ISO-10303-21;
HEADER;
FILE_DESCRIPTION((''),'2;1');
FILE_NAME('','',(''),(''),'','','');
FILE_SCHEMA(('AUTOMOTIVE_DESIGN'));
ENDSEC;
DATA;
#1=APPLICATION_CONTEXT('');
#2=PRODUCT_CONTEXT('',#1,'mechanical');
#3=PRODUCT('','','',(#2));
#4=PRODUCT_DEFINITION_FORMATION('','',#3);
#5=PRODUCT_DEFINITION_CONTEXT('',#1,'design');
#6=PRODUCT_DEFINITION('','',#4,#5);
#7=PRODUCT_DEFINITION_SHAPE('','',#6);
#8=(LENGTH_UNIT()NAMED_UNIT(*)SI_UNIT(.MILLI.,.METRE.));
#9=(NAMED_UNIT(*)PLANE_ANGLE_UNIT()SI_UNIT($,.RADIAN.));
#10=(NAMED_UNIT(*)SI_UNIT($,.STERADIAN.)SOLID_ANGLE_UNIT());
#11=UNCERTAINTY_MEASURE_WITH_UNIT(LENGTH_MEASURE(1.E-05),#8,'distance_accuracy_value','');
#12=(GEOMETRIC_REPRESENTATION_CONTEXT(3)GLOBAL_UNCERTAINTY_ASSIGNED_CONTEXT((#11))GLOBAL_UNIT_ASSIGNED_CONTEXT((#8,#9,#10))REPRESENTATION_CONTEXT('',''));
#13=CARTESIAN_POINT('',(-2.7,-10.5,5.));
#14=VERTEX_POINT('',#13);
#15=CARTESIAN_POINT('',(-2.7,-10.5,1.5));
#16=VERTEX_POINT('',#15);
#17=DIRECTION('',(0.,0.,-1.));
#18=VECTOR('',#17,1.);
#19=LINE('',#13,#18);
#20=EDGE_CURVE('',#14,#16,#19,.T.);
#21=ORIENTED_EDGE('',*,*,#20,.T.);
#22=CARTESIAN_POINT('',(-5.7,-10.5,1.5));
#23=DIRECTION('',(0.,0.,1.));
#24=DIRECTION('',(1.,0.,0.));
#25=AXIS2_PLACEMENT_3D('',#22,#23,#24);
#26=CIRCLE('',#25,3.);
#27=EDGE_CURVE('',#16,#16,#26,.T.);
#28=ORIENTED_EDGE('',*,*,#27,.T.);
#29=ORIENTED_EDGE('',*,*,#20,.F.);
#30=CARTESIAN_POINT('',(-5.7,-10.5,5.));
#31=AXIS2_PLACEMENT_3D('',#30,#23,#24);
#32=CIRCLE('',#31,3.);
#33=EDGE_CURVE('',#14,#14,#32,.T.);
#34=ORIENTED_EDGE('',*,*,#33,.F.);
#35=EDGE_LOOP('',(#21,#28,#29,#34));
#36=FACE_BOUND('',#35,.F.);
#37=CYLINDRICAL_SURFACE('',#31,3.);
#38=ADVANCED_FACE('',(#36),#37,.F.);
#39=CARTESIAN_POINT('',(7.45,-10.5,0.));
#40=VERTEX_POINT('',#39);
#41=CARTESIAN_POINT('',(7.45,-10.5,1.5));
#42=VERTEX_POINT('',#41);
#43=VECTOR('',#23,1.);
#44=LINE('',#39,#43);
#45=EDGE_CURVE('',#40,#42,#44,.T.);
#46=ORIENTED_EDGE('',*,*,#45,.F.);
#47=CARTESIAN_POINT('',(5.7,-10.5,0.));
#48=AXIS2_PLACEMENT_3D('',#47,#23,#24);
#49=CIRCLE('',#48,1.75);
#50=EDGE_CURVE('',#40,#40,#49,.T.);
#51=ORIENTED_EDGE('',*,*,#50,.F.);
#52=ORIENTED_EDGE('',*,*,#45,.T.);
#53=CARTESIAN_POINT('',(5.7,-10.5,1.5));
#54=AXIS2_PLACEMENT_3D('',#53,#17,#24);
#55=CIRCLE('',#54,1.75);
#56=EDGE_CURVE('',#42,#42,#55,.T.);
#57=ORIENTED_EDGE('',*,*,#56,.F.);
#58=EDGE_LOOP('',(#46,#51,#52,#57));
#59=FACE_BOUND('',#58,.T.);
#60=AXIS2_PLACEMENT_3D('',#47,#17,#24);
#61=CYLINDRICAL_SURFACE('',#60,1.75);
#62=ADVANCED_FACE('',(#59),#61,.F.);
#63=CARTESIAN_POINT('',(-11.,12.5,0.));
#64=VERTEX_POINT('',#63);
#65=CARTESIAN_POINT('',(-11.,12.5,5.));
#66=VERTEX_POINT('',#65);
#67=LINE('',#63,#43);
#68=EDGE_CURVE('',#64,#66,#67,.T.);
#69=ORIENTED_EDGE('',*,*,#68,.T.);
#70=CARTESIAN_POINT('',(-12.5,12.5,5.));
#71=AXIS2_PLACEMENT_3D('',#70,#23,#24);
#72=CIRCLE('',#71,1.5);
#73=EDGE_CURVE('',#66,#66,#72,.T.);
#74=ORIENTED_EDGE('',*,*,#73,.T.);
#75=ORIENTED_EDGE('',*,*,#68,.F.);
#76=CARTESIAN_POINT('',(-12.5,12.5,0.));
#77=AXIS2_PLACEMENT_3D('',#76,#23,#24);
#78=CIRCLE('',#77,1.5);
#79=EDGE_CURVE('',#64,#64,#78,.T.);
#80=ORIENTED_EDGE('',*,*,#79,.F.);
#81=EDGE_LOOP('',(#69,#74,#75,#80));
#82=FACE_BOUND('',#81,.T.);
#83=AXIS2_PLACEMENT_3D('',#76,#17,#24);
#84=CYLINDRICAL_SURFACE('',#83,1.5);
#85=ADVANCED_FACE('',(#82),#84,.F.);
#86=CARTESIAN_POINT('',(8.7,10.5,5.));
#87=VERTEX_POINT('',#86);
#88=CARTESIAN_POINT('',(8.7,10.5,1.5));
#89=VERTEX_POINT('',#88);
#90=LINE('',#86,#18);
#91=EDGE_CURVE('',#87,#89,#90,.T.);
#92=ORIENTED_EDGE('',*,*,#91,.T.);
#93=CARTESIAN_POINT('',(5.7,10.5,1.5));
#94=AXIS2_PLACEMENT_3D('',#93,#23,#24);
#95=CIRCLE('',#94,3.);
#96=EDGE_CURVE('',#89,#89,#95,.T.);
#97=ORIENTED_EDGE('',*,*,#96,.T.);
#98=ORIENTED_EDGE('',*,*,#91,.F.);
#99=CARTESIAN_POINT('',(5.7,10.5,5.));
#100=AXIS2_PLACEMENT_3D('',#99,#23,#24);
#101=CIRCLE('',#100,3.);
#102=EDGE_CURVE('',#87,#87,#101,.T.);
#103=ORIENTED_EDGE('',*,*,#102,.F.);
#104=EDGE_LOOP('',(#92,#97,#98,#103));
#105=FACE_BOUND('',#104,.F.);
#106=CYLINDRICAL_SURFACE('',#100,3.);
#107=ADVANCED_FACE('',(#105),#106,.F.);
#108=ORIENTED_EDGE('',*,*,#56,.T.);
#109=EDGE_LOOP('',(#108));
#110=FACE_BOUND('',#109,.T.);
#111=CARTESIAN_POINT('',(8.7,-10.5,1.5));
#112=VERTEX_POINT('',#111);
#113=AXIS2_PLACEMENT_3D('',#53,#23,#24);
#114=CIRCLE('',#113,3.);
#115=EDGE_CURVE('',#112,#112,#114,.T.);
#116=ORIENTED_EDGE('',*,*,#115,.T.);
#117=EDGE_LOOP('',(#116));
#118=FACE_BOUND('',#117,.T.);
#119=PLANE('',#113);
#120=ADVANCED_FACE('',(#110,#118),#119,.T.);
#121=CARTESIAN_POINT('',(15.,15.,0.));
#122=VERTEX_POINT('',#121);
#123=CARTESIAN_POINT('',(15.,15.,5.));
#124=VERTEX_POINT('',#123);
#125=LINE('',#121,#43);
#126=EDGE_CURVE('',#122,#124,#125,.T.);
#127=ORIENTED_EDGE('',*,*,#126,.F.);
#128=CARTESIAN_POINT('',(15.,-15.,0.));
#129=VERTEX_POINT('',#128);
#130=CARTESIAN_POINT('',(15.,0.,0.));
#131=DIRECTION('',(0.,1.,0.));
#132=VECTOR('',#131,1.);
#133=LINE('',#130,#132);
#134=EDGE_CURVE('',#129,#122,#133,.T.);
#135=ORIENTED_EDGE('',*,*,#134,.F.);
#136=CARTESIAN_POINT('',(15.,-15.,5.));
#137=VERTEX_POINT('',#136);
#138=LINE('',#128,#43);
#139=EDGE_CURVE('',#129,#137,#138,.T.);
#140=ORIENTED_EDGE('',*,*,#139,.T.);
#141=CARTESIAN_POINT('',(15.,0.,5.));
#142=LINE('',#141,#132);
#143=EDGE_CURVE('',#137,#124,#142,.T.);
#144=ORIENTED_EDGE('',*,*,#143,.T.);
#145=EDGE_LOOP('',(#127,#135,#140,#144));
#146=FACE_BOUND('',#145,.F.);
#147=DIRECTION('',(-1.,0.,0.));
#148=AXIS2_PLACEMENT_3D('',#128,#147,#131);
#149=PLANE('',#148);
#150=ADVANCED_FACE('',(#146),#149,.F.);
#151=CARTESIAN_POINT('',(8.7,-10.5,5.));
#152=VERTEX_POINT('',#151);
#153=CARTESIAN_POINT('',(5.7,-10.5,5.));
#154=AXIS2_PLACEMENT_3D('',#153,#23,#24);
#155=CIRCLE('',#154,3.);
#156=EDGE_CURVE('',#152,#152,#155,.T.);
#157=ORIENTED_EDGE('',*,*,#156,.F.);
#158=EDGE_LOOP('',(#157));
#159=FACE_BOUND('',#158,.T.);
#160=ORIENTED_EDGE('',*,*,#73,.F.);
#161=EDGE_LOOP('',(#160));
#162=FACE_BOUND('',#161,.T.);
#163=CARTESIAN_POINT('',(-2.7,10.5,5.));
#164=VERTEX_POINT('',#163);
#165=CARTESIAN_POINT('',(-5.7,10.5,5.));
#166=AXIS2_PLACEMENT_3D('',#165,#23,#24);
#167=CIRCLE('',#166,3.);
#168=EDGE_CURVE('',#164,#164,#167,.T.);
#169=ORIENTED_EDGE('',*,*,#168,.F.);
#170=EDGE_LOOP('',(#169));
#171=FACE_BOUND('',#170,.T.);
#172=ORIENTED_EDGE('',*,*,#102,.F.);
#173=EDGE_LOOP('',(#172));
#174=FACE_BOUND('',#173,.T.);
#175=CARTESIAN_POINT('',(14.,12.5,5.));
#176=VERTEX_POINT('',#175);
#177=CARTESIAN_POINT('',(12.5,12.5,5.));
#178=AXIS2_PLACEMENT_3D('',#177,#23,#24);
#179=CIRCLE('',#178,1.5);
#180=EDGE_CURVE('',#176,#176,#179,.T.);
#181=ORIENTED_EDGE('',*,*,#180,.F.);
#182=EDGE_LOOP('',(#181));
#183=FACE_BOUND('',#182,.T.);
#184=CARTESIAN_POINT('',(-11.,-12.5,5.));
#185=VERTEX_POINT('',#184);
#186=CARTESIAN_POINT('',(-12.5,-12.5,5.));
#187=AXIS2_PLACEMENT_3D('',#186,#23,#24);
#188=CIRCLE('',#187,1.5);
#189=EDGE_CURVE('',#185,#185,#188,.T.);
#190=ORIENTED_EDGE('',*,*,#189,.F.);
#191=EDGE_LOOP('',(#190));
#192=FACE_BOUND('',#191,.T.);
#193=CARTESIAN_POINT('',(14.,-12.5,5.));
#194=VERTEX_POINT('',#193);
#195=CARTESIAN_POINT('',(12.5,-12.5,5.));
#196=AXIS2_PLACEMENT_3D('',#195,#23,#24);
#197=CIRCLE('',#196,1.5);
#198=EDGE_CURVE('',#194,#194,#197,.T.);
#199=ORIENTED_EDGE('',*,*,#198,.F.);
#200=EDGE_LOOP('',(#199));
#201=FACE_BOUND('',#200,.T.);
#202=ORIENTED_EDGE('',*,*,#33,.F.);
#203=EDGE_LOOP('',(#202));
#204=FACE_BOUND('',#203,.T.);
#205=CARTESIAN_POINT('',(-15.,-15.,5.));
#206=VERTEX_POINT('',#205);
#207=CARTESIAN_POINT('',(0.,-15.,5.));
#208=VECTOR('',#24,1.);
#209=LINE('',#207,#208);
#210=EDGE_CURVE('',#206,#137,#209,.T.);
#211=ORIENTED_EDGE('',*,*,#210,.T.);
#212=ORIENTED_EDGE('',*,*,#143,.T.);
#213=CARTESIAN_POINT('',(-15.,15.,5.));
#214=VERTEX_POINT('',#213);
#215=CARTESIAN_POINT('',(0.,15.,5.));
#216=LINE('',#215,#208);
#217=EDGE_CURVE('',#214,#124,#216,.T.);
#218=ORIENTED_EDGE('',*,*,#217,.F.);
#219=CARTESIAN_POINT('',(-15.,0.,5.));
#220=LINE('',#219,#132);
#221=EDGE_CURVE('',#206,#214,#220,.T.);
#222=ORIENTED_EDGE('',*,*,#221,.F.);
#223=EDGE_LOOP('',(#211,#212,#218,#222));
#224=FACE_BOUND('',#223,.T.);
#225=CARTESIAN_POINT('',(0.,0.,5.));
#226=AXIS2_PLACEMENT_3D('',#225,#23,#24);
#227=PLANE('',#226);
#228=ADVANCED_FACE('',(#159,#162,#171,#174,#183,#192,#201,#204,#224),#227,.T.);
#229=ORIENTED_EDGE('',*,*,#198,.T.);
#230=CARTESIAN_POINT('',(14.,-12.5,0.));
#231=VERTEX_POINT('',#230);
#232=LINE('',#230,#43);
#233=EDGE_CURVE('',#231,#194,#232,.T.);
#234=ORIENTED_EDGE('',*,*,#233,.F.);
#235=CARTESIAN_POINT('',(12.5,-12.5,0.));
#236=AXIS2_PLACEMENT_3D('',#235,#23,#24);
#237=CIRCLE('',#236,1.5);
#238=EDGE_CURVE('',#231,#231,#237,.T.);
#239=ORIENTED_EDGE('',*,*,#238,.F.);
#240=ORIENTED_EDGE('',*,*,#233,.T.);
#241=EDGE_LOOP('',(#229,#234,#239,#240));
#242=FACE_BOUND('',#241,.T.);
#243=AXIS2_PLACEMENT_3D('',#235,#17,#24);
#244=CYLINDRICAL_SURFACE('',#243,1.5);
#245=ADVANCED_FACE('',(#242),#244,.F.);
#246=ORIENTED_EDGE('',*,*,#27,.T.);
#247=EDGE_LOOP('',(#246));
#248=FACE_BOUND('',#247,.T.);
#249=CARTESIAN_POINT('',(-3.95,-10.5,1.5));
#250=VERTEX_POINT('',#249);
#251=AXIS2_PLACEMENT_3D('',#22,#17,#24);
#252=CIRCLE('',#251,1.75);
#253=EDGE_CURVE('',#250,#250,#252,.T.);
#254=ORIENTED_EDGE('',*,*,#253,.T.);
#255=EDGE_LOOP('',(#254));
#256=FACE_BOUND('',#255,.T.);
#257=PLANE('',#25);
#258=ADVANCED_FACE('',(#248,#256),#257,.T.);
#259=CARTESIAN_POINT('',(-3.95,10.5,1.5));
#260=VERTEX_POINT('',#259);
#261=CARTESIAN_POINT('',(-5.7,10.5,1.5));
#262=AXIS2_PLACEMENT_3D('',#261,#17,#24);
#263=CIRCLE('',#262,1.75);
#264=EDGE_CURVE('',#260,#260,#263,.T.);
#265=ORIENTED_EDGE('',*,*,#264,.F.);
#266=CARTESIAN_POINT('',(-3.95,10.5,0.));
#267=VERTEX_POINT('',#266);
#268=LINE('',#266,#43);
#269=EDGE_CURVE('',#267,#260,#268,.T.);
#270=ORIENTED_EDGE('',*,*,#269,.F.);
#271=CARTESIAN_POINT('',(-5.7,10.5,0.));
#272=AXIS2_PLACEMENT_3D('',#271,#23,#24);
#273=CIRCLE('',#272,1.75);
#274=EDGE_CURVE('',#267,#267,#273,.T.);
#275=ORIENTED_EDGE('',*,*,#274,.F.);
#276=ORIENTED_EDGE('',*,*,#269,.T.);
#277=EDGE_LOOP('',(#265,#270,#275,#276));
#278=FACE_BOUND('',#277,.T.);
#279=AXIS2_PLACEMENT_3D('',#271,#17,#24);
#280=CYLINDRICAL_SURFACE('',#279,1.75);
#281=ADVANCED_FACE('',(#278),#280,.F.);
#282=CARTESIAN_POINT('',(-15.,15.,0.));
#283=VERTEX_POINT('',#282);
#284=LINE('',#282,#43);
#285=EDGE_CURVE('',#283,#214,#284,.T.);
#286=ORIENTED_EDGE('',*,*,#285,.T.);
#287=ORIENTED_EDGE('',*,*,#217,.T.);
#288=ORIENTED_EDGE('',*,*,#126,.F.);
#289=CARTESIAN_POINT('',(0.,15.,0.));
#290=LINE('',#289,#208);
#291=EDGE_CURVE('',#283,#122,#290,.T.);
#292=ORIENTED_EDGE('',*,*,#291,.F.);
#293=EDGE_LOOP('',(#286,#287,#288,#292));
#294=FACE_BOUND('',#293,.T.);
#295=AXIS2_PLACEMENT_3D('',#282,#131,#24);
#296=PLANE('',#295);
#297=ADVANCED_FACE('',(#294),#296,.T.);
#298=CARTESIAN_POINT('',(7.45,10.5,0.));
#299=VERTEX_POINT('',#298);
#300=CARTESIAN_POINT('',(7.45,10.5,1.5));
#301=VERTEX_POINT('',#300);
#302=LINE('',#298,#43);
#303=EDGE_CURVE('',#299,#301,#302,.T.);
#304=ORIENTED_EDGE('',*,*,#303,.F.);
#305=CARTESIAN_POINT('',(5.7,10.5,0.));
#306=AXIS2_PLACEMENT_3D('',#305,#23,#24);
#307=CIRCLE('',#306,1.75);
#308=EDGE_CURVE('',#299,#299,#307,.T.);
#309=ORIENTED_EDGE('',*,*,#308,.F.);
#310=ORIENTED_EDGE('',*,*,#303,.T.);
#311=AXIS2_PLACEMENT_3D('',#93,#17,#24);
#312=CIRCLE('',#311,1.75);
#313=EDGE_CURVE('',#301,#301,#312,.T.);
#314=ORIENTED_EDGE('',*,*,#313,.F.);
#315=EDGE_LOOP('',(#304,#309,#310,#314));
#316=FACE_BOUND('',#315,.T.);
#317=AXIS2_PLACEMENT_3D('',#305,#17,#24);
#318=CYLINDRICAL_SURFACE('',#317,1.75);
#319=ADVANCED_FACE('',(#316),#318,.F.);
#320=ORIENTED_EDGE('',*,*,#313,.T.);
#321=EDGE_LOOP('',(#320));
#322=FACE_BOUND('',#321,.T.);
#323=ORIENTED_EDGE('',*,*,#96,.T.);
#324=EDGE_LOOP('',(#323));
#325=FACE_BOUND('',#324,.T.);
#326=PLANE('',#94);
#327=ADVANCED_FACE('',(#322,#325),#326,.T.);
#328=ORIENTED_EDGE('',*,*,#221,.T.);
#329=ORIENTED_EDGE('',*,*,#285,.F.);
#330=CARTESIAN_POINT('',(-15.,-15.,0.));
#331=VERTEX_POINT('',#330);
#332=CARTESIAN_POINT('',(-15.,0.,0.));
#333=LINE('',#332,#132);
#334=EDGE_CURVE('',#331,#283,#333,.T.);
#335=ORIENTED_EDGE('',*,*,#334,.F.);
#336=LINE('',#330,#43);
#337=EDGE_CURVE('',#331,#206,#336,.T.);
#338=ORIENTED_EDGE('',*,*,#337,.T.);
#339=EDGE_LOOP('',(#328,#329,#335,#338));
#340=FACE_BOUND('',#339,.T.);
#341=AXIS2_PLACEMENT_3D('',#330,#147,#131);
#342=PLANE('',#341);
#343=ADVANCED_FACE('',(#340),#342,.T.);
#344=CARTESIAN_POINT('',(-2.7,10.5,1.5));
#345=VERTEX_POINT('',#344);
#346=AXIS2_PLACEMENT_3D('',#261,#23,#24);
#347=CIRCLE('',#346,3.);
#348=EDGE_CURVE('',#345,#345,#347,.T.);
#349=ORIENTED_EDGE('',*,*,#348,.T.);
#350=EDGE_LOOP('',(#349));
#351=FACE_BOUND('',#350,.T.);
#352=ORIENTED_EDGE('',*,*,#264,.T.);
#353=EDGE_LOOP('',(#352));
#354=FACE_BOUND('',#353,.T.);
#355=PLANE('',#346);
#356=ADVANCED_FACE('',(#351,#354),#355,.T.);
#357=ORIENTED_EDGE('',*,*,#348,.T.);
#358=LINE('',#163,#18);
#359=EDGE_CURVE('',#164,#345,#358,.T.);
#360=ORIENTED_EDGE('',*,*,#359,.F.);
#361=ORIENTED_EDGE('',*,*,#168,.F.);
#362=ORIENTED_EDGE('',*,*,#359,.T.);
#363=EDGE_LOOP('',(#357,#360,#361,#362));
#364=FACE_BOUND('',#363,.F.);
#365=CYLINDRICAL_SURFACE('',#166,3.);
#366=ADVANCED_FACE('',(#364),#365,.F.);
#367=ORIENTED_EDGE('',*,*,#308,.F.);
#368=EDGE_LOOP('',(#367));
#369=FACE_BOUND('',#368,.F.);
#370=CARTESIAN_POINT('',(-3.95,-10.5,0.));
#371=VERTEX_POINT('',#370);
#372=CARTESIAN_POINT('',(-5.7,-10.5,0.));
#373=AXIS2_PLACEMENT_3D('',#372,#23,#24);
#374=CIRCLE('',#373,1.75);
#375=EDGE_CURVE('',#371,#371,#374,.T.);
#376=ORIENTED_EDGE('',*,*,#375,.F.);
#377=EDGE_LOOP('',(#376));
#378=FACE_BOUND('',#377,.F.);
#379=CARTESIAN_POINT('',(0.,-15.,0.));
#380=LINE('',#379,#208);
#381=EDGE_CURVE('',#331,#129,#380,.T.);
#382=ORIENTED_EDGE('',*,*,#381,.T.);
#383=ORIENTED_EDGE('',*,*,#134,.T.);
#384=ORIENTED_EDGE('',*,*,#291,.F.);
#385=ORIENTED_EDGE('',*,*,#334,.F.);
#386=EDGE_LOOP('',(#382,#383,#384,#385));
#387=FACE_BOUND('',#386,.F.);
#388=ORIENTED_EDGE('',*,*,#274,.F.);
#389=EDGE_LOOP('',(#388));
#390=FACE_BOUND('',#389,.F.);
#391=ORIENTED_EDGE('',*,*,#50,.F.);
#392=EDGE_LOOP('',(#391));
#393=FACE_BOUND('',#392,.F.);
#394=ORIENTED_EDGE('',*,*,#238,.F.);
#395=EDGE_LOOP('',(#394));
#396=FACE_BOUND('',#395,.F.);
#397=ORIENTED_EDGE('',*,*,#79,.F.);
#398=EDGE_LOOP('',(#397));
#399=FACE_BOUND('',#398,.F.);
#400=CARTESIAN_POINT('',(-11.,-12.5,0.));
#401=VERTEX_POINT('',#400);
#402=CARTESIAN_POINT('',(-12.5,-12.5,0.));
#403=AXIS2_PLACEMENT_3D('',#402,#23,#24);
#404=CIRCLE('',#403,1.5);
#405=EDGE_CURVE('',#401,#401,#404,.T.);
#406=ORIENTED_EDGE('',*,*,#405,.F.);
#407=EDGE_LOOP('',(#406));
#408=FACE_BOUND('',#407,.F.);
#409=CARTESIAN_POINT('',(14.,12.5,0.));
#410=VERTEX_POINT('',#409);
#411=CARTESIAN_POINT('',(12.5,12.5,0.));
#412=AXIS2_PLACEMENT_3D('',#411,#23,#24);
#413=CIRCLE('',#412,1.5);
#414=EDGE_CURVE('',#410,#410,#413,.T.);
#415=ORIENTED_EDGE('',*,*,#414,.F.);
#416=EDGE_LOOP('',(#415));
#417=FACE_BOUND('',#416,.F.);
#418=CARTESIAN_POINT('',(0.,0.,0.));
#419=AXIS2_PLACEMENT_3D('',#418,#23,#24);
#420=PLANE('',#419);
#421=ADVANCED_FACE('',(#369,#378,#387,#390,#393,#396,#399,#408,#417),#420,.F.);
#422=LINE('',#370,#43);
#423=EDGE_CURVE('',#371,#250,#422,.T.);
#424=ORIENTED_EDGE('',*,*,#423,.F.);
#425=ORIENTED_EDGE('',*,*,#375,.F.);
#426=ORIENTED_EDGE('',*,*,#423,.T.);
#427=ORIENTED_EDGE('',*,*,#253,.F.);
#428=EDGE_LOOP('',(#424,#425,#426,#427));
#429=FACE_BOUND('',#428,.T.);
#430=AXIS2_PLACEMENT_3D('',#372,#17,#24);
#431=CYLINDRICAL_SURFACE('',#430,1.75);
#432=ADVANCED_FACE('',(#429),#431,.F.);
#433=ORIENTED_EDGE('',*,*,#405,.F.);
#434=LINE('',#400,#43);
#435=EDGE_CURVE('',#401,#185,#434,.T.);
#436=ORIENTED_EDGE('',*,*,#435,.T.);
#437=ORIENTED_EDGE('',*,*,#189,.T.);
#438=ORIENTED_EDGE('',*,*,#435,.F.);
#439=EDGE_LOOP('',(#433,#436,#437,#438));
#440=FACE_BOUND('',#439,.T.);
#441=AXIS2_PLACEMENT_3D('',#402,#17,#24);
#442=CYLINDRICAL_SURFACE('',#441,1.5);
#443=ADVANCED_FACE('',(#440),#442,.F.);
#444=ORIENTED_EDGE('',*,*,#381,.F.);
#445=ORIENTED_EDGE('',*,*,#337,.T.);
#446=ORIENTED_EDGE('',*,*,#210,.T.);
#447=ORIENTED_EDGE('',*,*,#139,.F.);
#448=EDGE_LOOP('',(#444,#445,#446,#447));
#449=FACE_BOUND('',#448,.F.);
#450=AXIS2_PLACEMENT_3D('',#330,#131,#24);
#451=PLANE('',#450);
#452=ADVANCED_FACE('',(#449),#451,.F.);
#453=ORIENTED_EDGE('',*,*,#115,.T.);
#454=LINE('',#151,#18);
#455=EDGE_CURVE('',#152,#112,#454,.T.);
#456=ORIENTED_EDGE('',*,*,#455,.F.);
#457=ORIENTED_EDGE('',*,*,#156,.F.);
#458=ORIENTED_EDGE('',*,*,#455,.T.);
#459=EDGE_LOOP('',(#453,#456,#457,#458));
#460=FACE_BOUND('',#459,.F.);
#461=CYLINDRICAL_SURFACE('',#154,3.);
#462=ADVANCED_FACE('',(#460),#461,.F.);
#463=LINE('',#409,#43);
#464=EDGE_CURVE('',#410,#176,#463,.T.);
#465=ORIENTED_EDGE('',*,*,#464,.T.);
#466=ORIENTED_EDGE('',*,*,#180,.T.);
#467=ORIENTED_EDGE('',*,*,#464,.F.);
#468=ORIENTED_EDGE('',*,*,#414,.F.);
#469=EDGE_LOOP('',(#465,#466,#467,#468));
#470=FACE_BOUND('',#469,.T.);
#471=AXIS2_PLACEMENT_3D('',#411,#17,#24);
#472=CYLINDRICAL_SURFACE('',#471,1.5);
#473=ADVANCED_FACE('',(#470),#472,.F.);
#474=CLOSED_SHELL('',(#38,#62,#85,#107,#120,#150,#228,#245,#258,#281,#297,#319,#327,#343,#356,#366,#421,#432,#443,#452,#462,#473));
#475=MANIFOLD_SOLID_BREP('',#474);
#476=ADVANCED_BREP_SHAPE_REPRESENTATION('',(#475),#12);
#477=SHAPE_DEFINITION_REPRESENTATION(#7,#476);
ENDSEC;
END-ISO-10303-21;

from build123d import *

# Parameters (mm, degrees)
F0_W     = 30
F0_H     = 30
F0_R     = 1.5
F0_R_2   = 1.75
F1_DEPTH = 5
F2_R     = 3
F3_DEPTH = 3.5


with BuildPart() as f1:
    # F0 (on Top) → F1 (new body)
    with BuildSketch(Plane.XY):
        Rectangle(F0_W, F0_H)
        with Locations((-12.5, -12.5)):
            Circle(F0_R, mode=Mode.SUBTRACT)
        with Locations((-5.7, -10.5)):
            Circle(F0_R_2, mode=Mode.SUBTRACT)
        with Locations((5.7, -10.5)):
            Circle(F0_R_2, mode=Mode.SUBTRACT)
        with Locations((12.5, -12.5)):
            Circle(F0_R, mode=Mode.SUBTRACT)
        with Locations((-12.5, 12.5)):
            Circle(F0_R, mode=Mode.SUBTRACT)
        with Locations((-5.7, 10.5)):
            Circle(F0_R_2, mode=Mode.SUBTRACT)
        with Locations((5.7, 10.5)):
            Circle(F0_R_2, mode=Mode.SUBTRACT)
        with Locations((12.5, 12.5)):
            Circle(F0_R, mode=Mode.SUBTRACT)
    extrude(amount=F1_DEPTH)

    # F2 (on face) → F3 (cut)
    with BuildSketch(Plane.XY.offset(5)):
        with Locations((-5.7, 10.5)):
            Circle(F2_R)
        with Locations((5.7, 10.5)):
            Circle(F2_R)
        with Locations((5.7, -10.5)):
            Circle(F2_R)
        with Locations((-5.7, -10.5)):
            Circle(F2_R)
    extrude(amount=-F3_DEPTH, mode=Mode.SUBTRACT)


solid = f1.part
